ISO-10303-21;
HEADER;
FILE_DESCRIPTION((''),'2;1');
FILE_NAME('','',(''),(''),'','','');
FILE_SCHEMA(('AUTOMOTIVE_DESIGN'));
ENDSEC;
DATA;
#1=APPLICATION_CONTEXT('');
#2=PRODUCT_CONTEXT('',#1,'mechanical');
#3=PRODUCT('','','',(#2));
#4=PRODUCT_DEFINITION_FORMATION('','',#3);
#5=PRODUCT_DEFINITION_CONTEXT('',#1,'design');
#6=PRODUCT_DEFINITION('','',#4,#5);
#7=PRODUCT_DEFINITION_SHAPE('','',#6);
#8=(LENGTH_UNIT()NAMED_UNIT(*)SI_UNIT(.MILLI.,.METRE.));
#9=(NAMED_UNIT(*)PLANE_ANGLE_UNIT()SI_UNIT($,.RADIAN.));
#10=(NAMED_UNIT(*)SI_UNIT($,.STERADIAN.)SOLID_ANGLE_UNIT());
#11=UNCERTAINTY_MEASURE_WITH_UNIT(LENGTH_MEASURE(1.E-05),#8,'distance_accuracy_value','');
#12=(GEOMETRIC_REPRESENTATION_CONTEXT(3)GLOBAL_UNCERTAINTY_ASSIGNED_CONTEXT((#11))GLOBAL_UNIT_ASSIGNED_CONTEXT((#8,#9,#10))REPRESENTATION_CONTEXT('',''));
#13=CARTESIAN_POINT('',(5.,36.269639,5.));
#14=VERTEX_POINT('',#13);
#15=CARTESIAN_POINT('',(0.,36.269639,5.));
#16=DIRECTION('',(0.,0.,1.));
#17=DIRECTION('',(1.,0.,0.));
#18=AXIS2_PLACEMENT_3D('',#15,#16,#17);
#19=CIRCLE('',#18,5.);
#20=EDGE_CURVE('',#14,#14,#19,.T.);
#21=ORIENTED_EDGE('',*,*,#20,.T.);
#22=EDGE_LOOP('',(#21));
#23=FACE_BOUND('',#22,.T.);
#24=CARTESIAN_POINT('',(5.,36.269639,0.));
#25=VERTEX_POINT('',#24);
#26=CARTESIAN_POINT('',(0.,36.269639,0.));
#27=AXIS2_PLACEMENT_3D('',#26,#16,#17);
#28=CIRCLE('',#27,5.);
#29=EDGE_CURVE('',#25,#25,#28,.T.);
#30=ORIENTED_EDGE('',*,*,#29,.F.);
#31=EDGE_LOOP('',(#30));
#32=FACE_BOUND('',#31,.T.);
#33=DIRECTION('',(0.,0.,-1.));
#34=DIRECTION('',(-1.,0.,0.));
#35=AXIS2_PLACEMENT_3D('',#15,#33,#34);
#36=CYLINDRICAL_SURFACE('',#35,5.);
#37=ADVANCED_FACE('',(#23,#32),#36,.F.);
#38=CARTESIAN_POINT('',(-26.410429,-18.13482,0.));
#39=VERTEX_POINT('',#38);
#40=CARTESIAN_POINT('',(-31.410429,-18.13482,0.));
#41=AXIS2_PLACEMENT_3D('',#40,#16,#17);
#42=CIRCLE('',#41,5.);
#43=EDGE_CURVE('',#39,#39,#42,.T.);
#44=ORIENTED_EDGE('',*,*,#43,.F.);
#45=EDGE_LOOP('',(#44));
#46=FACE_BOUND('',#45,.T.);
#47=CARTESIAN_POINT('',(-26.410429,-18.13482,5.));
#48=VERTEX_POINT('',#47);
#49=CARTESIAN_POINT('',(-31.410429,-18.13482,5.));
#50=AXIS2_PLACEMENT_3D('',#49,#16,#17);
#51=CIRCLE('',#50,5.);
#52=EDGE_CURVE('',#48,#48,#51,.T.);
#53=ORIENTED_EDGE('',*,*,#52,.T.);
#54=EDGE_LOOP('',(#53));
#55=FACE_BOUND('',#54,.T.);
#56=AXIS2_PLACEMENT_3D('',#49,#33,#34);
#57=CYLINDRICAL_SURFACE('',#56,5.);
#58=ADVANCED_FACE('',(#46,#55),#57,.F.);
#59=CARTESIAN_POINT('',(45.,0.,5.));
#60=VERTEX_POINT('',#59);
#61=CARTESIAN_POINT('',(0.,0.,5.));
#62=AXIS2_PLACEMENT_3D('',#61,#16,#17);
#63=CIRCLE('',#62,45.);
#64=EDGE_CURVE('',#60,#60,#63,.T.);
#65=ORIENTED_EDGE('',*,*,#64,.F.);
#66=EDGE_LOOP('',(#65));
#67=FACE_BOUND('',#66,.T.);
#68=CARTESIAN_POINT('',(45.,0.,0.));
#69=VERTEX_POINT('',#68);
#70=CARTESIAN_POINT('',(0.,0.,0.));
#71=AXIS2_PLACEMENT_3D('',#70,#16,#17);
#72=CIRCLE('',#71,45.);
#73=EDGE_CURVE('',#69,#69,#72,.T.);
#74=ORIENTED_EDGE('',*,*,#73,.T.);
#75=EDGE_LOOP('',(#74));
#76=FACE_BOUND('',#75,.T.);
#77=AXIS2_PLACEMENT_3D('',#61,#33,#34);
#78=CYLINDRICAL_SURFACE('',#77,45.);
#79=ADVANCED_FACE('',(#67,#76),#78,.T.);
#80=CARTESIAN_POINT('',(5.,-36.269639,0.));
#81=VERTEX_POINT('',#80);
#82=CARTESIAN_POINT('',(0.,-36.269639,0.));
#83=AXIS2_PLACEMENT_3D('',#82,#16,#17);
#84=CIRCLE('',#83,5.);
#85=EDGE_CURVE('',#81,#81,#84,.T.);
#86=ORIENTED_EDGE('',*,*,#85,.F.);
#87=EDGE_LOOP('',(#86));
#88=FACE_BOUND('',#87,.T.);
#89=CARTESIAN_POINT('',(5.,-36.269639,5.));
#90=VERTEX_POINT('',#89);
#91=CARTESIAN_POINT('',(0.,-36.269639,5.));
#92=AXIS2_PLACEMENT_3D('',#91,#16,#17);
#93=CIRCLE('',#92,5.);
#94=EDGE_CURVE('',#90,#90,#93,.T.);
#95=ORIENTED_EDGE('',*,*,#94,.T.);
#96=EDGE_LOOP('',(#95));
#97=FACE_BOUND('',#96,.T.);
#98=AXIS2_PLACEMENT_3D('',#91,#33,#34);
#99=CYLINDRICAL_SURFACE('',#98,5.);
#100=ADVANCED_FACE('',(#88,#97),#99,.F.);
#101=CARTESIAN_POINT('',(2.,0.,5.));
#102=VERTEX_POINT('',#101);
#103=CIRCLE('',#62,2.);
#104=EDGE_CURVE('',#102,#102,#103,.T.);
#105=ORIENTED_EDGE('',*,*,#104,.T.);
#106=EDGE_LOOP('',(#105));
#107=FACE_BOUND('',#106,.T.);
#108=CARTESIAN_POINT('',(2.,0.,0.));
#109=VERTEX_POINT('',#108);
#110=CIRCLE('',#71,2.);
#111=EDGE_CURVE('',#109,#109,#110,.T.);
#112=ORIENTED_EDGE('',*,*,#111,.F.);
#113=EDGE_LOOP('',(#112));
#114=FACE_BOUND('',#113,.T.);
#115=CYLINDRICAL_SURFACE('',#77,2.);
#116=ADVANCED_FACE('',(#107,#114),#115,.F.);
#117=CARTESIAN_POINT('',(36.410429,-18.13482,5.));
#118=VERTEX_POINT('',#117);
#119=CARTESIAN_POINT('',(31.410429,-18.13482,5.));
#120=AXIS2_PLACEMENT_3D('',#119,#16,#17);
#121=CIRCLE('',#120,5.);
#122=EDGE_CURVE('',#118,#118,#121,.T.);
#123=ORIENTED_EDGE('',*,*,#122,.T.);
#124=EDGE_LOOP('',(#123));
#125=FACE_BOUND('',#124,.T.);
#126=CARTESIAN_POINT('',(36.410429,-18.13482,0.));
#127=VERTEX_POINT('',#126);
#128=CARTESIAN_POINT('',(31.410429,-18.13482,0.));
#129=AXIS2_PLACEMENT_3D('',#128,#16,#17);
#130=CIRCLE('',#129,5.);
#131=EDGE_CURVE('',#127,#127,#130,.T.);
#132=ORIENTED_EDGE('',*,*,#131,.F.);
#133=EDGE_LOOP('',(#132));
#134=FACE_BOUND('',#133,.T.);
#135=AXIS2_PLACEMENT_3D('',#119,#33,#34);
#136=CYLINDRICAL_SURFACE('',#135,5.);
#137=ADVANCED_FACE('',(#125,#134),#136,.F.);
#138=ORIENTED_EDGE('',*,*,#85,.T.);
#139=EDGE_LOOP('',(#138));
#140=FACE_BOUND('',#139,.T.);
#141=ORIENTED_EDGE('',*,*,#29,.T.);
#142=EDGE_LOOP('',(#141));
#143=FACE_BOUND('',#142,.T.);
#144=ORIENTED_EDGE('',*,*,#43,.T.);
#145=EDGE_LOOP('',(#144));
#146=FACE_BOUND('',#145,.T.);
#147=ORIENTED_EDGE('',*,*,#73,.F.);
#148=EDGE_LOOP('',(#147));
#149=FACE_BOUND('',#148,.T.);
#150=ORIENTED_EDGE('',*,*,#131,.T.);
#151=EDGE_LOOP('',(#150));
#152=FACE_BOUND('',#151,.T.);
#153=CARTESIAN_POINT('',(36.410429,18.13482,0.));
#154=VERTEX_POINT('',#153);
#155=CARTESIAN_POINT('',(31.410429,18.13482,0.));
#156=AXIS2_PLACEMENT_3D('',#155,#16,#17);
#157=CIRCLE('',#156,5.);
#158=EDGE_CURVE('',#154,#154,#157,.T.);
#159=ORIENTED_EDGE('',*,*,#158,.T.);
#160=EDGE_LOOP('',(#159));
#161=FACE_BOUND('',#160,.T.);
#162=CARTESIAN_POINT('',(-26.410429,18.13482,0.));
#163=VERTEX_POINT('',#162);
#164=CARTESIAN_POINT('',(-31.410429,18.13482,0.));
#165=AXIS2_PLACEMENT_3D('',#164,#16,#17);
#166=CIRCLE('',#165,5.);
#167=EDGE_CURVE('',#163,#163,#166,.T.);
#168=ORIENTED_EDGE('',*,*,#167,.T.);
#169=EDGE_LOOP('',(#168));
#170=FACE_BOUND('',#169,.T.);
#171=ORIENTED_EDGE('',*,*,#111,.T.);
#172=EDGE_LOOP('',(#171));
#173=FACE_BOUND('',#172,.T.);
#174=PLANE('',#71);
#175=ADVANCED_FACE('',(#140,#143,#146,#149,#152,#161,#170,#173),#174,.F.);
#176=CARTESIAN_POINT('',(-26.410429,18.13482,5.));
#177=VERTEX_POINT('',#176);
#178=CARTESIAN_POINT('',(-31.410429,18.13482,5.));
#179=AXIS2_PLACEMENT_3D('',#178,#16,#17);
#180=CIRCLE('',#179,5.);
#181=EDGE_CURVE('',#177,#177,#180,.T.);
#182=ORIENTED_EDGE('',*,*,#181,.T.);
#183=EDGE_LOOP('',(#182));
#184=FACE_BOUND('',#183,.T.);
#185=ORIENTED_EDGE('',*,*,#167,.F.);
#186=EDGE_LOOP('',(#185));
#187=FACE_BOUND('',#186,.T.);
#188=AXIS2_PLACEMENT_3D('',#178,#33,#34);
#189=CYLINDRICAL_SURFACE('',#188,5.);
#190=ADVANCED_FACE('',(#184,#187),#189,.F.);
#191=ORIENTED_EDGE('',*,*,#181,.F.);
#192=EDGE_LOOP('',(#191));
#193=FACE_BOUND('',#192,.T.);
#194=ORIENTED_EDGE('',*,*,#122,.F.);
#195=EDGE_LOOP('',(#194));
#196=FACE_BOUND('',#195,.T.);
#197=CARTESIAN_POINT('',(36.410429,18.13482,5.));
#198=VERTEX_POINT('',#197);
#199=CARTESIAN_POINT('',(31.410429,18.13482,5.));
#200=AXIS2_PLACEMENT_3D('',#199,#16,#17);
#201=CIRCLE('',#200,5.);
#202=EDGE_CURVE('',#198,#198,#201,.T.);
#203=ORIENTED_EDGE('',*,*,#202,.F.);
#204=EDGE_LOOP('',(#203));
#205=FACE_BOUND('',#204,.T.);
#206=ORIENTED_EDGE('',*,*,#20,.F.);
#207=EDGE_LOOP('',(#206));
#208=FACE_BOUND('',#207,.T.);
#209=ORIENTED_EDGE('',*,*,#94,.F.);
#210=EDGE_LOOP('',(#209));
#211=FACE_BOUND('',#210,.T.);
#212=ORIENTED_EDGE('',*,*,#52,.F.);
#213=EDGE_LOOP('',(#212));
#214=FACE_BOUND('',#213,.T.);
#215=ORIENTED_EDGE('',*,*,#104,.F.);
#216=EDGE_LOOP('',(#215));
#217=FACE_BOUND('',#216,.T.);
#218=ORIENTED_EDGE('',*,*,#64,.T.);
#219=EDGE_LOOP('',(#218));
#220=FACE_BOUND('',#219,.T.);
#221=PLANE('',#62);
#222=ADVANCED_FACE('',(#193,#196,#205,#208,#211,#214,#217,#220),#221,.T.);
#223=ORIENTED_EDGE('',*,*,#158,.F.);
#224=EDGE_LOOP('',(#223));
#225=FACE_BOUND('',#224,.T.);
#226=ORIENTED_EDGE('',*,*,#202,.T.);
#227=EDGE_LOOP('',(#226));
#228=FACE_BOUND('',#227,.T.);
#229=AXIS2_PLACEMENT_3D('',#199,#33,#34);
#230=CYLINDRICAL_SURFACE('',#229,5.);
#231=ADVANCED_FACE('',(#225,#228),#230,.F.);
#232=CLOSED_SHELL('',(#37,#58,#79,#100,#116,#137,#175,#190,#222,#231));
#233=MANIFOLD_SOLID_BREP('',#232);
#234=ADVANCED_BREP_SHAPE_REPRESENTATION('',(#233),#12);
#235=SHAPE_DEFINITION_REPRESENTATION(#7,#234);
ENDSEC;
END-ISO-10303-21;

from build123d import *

# Parameters (mm, degrees)
SKETCH1_R           = 45
SKETCH1_R_2         = 5
SKETCH1_R_3         = 2
BOSS_EXTRUDE1_DEPTH = 5


with BuildPart() as part:
    # Sketch1 → Boss-Extrude1 (new body)
    with BuildSketch(Plane.XY):
        Circle(SKETCH1_R)
        with Locations((0, 36.269639471)):
            Circle(SKETCH1_R_2, mode=Mode.SUBTRACT)
        with Locations((31.410429168, 18.134819735)):
            Circle(SKETCH1_R_2, mode=Mode.SUBTRACT)
        with Locations((31.410429168, -18.134819735)):
            Circle(SKETCH1_R_2, mode=Mode.SUBTRACT)
        with Locations((0, -36.269639471)):
            Circle(SKETCH1_R_2, mode=Mode.SUBTRACT)
        with Locations((-31.410429168, -18.134819735)):
            Circle(SKETCH1_R_2, mode=Mode.SUBTRACT)
        with Locations((-31.410429168, 18.134819735)):
            Circle(SKETCH1_R_2, mode=Mode.SUBTRACT)
        Circle(SKETCH1_R_3, mode=Mode.SUBTRACT)
    extrude(amount=BOSS_EXTRUDE1_DEPTH)


solid = part.part
